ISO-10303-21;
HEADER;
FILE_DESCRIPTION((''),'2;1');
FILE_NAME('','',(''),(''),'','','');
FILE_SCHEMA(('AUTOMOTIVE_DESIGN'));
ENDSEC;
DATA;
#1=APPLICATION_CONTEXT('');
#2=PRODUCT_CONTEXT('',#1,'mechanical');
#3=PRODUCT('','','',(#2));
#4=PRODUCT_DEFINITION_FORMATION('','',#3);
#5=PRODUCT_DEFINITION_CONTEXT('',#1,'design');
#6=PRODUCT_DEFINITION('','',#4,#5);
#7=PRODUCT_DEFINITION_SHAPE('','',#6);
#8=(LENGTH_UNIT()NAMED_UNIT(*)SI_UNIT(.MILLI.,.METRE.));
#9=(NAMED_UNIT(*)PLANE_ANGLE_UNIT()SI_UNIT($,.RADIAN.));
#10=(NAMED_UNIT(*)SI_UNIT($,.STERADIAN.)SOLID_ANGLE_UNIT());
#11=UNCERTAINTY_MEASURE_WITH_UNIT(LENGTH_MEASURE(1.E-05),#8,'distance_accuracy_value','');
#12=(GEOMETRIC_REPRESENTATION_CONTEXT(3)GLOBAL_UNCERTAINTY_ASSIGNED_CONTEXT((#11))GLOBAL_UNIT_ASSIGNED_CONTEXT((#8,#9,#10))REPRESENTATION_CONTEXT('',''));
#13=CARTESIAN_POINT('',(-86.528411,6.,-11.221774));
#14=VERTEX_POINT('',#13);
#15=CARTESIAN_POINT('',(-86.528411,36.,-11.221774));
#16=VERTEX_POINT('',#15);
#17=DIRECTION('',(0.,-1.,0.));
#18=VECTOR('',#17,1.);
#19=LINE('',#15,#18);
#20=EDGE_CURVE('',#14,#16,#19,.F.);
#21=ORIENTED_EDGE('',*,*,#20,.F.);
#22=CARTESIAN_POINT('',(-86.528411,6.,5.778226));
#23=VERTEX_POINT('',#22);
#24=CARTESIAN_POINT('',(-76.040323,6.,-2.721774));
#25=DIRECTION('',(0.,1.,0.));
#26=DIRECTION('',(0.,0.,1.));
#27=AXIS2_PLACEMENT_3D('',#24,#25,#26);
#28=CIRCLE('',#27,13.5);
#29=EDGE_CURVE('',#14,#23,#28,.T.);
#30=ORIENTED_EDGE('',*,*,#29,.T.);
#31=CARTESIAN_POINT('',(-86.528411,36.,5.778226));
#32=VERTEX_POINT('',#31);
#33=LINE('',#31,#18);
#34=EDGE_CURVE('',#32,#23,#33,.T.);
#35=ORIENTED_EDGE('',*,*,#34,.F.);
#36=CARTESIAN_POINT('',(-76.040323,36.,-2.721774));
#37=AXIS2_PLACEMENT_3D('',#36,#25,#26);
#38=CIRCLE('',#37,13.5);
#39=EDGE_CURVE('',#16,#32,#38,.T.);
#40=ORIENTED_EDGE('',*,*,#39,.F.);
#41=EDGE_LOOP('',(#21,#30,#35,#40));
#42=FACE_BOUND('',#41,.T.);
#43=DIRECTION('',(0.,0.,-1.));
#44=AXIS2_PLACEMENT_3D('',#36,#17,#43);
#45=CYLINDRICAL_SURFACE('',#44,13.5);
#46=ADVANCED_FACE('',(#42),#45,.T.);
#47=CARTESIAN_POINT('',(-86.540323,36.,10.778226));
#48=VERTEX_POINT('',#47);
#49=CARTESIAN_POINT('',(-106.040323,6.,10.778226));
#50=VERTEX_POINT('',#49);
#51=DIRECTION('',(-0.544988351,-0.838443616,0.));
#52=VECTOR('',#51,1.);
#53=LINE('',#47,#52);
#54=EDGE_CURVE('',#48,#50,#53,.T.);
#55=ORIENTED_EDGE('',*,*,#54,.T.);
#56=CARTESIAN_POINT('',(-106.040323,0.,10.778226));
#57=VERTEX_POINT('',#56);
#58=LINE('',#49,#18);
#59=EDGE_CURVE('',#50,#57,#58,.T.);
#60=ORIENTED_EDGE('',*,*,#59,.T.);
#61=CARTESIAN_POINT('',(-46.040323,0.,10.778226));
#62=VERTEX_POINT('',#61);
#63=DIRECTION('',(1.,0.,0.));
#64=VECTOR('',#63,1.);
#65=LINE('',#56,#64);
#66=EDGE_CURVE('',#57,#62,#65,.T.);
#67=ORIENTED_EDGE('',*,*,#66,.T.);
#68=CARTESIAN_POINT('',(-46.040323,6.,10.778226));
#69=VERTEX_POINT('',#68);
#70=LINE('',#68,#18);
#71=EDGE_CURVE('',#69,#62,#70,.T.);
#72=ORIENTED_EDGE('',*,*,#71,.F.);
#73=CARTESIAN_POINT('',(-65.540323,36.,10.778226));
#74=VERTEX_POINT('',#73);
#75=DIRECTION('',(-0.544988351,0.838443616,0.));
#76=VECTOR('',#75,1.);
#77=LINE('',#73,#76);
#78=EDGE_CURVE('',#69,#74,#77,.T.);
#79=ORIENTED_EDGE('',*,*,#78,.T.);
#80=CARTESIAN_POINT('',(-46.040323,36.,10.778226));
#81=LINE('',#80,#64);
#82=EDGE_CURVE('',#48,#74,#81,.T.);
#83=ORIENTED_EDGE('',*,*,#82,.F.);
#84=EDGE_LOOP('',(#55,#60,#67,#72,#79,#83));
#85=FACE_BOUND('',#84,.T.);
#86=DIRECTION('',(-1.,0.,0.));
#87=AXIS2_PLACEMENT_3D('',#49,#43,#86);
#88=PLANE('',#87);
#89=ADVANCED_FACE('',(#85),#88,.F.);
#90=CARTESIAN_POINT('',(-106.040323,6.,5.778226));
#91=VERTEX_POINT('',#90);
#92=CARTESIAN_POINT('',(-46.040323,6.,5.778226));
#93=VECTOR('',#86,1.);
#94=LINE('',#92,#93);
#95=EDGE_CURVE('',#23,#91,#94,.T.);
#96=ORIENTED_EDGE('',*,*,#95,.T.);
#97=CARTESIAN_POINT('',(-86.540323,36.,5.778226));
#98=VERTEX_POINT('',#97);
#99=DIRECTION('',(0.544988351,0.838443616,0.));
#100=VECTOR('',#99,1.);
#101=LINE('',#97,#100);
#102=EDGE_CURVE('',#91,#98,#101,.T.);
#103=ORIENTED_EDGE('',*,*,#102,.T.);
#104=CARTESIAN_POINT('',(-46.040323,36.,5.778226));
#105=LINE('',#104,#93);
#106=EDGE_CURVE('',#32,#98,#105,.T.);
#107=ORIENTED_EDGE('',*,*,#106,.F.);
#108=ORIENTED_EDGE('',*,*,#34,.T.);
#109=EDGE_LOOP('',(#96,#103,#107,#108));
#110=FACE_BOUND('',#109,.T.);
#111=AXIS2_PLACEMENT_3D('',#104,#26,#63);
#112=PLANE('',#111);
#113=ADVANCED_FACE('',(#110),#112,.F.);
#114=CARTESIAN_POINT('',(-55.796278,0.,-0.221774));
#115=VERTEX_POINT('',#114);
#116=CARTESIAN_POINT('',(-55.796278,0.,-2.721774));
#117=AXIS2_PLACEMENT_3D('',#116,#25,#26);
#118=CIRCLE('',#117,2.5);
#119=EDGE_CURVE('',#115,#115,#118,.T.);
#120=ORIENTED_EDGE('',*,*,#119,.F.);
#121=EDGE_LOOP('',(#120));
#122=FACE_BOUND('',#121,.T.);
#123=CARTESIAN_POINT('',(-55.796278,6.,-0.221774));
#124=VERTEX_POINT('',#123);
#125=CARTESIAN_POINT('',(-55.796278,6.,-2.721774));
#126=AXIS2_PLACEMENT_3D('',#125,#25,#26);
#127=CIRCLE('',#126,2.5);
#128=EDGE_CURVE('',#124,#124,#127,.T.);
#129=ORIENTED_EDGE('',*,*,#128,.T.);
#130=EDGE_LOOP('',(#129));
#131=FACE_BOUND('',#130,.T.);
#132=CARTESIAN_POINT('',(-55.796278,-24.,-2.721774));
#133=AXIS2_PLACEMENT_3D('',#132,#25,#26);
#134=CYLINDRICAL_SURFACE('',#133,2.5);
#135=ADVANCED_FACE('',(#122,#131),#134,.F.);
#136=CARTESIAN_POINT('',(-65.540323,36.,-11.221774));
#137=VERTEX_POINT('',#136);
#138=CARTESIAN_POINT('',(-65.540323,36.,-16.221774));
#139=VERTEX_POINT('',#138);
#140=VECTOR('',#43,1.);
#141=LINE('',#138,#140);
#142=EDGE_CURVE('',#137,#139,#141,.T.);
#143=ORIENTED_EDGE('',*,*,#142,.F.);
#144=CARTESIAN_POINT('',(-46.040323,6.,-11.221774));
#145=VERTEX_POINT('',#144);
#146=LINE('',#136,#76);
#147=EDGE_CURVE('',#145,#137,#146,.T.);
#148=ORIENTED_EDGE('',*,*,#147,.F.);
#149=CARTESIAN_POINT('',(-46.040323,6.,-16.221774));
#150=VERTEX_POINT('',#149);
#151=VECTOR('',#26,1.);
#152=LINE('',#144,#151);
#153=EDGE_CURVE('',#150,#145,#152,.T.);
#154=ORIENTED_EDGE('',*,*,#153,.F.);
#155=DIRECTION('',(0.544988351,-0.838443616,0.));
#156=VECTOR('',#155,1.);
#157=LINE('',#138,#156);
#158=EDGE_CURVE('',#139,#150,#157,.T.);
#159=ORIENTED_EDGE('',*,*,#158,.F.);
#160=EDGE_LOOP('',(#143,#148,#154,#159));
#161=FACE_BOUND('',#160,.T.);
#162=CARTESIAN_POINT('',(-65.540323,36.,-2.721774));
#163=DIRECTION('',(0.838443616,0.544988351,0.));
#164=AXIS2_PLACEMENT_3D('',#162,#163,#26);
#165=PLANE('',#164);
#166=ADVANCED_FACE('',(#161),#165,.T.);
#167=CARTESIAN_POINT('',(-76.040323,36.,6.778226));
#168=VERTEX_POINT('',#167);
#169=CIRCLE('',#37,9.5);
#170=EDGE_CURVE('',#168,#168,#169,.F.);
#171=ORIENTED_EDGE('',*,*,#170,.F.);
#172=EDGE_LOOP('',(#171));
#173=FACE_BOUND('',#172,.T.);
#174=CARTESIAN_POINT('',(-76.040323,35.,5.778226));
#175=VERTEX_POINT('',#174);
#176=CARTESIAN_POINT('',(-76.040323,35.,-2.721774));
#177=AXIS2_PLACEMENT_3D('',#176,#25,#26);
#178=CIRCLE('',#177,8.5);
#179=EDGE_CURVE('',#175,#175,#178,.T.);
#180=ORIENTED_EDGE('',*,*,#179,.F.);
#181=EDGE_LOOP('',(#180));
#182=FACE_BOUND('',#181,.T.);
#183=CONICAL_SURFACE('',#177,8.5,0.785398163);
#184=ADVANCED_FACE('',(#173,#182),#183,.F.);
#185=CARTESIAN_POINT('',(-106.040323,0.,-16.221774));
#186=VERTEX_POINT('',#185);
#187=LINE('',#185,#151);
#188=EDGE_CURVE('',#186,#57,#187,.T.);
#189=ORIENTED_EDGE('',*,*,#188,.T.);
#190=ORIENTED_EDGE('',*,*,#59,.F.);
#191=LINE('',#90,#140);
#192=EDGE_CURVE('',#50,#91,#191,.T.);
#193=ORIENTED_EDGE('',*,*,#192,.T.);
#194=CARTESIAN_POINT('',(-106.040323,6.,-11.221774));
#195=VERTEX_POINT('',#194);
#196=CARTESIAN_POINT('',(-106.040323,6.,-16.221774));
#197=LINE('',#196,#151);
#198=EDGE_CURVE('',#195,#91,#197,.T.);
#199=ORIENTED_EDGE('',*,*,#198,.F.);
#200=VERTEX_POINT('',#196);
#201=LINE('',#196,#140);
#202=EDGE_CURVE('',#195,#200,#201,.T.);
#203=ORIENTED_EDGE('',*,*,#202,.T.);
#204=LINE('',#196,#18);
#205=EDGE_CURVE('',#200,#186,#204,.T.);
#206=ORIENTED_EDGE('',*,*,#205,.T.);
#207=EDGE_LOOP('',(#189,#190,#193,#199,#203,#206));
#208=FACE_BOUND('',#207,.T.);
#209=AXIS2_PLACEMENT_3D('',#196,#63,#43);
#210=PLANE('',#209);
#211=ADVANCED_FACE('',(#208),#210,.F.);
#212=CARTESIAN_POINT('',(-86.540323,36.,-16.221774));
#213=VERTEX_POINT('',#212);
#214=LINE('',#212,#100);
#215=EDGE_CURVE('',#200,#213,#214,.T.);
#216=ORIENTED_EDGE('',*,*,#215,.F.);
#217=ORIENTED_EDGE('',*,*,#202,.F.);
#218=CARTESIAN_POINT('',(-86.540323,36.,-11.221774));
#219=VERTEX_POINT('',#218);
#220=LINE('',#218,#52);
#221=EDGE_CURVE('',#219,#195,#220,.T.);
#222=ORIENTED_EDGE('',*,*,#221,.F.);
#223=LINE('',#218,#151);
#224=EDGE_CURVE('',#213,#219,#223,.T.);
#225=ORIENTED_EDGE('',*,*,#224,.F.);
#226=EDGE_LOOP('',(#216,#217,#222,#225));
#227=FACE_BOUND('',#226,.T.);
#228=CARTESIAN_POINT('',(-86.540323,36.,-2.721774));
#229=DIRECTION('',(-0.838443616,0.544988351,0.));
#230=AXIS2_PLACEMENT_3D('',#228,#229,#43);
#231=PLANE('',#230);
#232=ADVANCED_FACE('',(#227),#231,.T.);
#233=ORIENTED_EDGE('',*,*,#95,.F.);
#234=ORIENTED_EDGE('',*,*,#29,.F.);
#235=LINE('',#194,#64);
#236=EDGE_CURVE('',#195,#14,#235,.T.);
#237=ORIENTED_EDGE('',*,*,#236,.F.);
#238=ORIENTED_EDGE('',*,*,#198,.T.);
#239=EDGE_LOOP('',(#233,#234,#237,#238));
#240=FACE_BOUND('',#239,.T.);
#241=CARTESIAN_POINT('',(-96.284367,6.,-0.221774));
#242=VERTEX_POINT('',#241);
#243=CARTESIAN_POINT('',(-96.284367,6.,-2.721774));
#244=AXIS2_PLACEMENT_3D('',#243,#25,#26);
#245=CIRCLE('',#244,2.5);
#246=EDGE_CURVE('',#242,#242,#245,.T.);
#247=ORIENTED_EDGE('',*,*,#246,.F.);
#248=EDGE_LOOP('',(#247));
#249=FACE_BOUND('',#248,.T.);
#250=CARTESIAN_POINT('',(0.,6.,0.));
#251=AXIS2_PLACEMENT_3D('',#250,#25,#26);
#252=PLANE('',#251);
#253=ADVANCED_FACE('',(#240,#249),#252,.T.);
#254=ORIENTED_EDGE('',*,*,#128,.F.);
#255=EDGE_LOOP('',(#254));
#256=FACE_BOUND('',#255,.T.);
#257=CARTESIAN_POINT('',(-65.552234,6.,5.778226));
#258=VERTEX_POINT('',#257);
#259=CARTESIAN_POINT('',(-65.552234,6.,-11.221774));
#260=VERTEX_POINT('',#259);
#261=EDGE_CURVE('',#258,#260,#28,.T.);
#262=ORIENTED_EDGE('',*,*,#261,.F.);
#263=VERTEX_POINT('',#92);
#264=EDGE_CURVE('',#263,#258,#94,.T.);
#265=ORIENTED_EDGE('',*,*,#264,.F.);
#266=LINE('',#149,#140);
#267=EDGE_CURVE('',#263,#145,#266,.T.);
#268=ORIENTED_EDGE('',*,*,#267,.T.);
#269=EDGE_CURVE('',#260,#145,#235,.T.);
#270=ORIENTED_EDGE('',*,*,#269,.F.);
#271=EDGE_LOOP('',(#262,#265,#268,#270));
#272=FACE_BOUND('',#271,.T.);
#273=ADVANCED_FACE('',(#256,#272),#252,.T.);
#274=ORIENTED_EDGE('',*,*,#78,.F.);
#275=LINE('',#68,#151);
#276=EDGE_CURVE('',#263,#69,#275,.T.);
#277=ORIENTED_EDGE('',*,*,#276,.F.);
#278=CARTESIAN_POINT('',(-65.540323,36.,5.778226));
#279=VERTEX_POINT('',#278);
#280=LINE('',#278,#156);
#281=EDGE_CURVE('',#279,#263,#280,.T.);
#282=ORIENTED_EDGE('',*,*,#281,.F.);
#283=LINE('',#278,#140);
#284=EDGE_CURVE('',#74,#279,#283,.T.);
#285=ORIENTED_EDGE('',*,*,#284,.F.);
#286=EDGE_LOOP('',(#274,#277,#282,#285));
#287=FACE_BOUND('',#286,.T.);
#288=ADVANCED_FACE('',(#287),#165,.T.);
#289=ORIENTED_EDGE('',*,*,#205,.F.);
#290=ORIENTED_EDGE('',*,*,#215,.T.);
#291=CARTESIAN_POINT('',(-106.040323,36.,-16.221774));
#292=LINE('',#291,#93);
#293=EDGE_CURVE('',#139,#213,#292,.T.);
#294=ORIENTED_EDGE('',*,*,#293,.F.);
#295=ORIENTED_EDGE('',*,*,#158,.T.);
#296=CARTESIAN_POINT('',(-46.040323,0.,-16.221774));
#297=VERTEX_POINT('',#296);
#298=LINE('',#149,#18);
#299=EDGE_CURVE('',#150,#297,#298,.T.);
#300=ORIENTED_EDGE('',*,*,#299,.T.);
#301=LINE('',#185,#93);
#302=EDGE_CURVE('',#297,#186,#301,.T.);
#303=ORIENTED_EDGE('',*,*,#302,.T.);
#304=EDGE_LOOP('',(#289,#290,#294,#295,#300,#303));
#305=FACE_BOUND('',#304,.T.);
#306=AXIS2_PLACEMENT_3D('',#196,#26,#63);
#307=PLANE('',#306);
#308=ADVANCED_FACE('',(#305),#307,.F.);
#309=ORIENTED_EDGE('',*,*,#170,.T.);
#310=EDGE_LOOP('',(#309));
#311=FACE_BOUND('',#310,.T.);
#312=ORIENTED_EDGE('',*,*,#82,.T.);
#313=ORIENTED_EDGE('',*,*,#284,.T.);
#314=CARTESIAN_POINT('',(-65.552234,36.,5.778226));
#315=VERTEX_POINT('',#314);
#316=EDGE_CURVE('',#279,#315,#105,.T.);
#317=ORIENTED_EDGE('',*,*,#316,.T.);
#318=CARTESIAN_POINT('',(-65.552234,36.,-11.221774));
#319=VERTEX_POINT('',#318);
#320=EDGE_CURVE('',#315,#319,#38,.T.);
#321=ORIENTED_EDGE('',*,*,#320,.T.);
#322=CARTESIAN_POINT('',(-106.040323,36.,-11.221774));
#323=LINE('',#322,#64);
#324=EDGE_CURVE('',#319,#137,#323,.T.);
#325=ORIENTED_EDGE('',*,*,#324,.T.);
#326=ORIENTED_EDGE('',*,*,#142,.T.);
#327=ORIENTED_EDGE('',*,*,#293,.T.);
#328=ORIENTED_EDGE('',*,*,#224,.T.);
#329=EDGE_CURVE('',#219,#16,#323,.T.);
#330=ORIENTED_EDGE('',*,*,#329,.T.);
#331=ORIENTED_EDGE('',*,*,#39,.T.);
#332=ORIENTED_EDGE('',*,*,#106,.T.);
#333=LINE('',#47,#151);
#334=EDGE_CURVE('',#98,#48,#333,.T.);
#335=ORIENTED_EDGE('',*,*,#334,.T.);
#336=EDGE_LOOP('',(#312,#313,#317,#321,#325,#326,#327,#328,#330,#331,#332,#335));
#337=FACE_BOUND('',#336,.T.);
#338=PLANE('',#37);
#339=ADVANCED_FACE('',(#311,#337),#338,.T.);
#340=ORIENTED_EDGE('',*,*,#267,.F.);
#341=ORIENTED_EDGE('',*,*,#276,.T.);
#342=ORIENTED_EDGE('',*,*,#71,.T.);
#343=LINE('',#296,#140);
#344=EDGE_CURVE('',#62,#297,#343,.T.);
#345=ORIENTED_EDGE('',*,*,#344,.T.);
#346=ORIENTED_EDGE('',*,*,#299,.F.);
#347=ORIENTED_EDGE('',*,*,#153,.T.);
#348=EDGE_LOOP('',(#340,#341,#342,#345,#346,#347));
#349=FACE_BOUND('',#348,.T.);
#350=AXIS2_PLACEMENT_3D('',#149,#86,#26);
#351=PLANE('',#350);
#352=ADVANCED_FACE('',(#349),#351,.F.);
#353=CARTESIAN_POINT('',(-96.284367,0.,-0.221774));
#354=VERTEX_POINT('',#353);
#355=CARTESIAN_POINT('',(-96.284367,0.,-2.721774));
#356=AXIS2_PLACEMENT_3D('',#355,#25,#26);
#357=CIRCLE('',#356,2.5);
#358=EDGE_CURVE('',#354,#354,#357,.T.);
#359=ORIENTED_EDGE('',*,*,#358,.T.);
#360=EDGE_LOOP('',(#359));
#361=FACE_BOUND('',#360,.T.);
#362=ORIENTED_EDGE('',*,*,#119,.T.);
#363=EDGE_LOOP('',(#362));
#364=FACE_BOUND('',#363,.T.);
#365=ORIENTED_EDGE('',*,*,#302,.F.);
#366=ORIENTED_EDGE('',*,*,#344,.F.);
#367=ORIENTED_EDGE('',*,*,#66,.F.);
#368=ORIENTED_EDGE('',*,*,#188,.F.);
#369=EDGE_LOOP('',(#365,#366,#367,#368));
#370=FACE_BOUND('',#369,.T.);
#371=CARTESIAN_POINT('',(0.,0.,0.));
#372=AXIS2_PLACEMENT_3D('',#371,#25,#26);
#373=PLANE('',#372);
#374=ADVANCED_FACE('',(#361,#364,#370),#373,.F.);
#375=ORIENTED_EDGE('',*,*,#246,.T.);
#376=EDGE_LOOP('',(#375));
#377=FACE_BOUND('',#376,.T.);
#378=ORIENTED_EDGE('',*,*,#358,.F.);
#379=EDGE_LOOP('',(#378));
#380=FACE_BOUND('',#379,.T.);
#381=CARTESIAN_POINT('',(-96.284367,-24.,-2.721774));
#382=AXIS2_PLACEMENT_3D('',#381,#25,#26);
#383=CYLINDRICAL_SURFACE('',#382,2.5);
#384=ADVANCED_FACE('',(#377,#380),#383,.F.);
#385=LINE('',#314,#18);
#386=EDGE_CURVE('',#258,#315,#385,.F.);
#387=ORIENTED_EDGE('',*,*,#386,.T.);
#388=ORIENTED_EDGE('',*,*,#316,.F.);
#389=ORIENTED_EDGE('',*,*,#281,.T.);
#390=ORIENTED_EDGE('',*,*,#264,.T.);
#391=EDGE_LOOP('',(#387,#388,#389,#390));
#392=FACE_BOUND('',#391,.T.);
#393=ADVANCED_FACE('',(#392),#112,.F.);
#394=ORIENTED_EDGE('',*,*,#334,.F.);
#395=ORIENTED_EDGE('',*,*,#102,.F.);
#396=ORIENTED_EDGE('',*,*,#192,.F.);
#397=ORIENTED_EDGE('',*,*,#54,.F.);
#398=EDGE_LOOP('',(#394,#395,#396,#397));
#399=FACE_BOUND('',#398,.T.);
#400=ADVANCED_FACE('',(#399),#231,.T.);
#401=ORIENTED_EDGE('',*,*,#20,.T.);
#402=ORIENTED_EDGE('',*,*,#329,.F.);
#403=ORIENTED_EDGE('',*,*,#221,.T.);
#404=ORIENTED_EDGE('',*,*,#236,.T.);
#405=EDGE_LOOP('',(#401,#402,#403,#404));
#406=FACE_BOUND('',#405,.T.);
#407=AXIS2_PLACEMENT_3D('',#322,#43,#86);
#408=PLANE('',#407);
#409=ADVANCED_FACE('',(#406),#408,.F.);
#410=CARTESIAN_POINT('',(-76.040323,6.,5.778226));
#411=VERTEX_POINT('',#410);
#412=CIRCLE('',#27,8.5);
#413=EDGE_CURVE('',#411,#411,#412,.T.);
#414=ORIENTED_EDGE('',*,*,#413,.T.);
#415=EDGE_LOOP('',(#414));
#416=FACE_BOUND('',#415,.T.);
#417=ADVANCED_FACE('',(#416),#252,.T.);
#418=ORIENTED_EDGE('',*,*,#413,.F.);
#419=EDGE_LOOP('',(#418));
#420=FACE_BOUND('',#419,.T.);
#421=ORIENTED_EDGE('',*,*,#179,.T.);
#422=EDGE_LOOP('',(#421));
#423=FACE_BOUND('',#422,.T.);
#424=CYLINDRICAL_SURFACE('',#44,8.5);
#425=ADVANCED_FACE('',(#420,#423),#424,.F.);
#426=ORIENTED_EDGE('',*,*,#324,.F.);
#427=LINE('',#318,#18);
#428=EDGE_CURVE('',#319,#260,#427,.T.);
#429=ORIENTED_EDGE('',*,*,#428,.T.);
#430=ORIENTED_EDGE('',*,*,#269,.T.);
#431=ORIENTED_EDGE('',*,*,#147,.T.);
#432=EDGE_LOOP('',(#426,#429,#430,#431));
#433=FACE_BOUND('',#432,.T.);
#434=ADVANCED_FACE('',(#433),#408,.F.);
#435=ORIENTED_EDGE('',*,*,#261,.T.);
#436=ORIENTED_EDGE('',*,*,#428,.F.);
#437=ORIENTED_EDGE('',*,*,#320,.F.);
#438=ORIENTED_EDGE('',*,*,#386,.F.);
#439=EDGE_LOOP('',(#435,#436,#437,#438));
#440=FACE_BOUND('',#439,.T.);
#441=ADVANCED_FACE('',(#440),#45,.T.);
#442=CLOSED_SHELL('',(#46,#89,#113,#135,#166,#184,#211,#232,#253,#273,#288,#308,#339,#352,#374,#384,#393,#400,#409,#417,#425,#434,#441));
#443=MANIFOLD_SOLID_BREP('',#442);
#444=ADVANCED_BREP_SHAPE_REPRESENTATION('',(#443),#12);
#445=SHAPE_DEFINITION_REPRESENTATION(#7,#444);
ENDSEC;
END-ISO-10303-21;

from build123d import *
from OCP.BRepFilletAPI import BRepFilletAPI_MakeChamfer

# Parameters (mm, degrees)
SKETCH1_W           = 60
SKETCH1_H           = 27
BOSS_EXTRUDE1_DEPTH = 6
SKETCH2_R           = 13.5
SKETCH2_R_2         = 8.5
BOSS_EXTRUDE2_DEPTH = 30
SKETCH3_W           = 60
SKETCH3_H           = 5
BOSS_EXTRUDE3_DEPTH = 30
CHAMFER1_SIZE       = 30
CHAMFER1_SIZE2      = 19.5
SKETCH5_R           = 2.5
CUT_EXTRUDE1_DEPTH  = 30
CHAMFER3_SIZE       = 1


with BuildPart() as part:
    # Sketch1 → Boss-Extrude1 (new body)
    with BuildSketch(Plane(origin=(0, 0, 0), x_dir=(1, 0, 0), z_dir=(0, 1, 0))):
        with Locations((-76.040322581, 2.721774194)):
            Rectangle(SKETCH1_W, SKETCH1_H)
    extrude(amount=BOSS_EXTRUDE1_DEPTH)

    # Sketch2 → Boss-Extrude2 (add)
    with BuildSketch(Plane(origin=(0, 6, 0), x_dir=(1, 0, 0), z_dir=(0, 1, 0))):
        with Locations(Location((-76.040322581, 2.721774194, 0), (0, 0, 270))):
            Circle(SKETCH2_R)
        with Locations(Location((-76.040322581, 2.721774194, 0), (0, 0, 270))):
            Circle(SKETCH2_R_2, mode=Mode.SUBTRACT)
    extrude(amount=BOSS_EXTRUDE2_DEPTH)

    # Sketch3 → Boss-Extrude3 (add)
    with BuildSketch(Plane(origin=(0, 6, 0), x_dir=(1, 0, 0), z_dir=(0, 1, 0))):
        with Locations((-76.040322581, 13.721774194)):
            Rectangle(SKETCH3_W, SKETCH3_H)
        with Locations((-76.040322581, -8.278225806)):
            Rectangle(SKETCH3_W, SKETCH3_H)
    extrude(amount=BOSS_EXTRUDE3_DEPTH)

    # Chamfer1: one chamfer whose edges measure the first distance from different faces: ONE call of the kernel's chamfer builder (chamfer() names one face for all edges)
    chamfer1_edges_1 = [part.edges().sort_by_distance(p)[0] for p in [
        (-46.040322581, 36, 8.278225806),
        (-46.040322581, 36, -13.721774194),
    ]]
    chamfer1_side_1 = [part.faces().sort_by_distance(p)[0] for p in [
        (-46.040322581, 18, -15.771774194),
    ]]
    chamfer1_edges_2 = [part.edges().sort_by_distance(p)[0] for p in [
        (-106.040322581, 36, 8.278225806),
        (-106.040322581, 36, -13.721774194),
    ]]
    chamfer1_side_2 = [part.faces().sort_by_distance(p)[0] for p in [
        (-106.040322581, 18, 10.328225806),
    ]]
    chamfer1 = BRepFilletAPI_MakeChamfer(part.part.solid().wrapped)
    for e in chamfer1_edges_1:
        chamfer1.Add(CHAMFER1_SIZE, CHAMFER1_SIZE2, e.wrapped, chamfer1_side_1[0].wrapped)  # the first distance lies on this face
    for e in chamfer1_edges_2:
        chamfer1.Add(CHAMFER1_SIZE, CHAMFER1_SIZE2, e.wrapped, chamfer1_side_2[0].wrapped)  # the first distance lies on this face
    add(Compound.cast(chamfer1.Shape()), mode=Mode.REPLACE)

    # Sketch5 → Cut-Extrude1 (cut)
    with BuildSketch(Plane(origin=(0, 6, 0), x_dir=(1, 0, 0), z_dir=(0, 1, 0))):
        with Locations(Location((-96.284366821, 2.721774194, 0), (0, 0, 270))):
            Circle(SKETCH5_R)
        with Locations(Location((-55.79627834, 2.721774194, 0), (0, 0, 270))):
            Circle(SKETCH5_R)
    extrude(amount=-CUT_EXTRUDE1_DEPTH, mode=Mode.SUBTRACT)

    # Chamfer3
    chamfer3_edges = [part.edges().sort_by_distance(p)[0] for p in [
        (-76.040322581, 36, -11.221774194),
    ]]
    chamfer(chamfer3_edges, length=CHAMFER3_SIZE)


solid = part.part
